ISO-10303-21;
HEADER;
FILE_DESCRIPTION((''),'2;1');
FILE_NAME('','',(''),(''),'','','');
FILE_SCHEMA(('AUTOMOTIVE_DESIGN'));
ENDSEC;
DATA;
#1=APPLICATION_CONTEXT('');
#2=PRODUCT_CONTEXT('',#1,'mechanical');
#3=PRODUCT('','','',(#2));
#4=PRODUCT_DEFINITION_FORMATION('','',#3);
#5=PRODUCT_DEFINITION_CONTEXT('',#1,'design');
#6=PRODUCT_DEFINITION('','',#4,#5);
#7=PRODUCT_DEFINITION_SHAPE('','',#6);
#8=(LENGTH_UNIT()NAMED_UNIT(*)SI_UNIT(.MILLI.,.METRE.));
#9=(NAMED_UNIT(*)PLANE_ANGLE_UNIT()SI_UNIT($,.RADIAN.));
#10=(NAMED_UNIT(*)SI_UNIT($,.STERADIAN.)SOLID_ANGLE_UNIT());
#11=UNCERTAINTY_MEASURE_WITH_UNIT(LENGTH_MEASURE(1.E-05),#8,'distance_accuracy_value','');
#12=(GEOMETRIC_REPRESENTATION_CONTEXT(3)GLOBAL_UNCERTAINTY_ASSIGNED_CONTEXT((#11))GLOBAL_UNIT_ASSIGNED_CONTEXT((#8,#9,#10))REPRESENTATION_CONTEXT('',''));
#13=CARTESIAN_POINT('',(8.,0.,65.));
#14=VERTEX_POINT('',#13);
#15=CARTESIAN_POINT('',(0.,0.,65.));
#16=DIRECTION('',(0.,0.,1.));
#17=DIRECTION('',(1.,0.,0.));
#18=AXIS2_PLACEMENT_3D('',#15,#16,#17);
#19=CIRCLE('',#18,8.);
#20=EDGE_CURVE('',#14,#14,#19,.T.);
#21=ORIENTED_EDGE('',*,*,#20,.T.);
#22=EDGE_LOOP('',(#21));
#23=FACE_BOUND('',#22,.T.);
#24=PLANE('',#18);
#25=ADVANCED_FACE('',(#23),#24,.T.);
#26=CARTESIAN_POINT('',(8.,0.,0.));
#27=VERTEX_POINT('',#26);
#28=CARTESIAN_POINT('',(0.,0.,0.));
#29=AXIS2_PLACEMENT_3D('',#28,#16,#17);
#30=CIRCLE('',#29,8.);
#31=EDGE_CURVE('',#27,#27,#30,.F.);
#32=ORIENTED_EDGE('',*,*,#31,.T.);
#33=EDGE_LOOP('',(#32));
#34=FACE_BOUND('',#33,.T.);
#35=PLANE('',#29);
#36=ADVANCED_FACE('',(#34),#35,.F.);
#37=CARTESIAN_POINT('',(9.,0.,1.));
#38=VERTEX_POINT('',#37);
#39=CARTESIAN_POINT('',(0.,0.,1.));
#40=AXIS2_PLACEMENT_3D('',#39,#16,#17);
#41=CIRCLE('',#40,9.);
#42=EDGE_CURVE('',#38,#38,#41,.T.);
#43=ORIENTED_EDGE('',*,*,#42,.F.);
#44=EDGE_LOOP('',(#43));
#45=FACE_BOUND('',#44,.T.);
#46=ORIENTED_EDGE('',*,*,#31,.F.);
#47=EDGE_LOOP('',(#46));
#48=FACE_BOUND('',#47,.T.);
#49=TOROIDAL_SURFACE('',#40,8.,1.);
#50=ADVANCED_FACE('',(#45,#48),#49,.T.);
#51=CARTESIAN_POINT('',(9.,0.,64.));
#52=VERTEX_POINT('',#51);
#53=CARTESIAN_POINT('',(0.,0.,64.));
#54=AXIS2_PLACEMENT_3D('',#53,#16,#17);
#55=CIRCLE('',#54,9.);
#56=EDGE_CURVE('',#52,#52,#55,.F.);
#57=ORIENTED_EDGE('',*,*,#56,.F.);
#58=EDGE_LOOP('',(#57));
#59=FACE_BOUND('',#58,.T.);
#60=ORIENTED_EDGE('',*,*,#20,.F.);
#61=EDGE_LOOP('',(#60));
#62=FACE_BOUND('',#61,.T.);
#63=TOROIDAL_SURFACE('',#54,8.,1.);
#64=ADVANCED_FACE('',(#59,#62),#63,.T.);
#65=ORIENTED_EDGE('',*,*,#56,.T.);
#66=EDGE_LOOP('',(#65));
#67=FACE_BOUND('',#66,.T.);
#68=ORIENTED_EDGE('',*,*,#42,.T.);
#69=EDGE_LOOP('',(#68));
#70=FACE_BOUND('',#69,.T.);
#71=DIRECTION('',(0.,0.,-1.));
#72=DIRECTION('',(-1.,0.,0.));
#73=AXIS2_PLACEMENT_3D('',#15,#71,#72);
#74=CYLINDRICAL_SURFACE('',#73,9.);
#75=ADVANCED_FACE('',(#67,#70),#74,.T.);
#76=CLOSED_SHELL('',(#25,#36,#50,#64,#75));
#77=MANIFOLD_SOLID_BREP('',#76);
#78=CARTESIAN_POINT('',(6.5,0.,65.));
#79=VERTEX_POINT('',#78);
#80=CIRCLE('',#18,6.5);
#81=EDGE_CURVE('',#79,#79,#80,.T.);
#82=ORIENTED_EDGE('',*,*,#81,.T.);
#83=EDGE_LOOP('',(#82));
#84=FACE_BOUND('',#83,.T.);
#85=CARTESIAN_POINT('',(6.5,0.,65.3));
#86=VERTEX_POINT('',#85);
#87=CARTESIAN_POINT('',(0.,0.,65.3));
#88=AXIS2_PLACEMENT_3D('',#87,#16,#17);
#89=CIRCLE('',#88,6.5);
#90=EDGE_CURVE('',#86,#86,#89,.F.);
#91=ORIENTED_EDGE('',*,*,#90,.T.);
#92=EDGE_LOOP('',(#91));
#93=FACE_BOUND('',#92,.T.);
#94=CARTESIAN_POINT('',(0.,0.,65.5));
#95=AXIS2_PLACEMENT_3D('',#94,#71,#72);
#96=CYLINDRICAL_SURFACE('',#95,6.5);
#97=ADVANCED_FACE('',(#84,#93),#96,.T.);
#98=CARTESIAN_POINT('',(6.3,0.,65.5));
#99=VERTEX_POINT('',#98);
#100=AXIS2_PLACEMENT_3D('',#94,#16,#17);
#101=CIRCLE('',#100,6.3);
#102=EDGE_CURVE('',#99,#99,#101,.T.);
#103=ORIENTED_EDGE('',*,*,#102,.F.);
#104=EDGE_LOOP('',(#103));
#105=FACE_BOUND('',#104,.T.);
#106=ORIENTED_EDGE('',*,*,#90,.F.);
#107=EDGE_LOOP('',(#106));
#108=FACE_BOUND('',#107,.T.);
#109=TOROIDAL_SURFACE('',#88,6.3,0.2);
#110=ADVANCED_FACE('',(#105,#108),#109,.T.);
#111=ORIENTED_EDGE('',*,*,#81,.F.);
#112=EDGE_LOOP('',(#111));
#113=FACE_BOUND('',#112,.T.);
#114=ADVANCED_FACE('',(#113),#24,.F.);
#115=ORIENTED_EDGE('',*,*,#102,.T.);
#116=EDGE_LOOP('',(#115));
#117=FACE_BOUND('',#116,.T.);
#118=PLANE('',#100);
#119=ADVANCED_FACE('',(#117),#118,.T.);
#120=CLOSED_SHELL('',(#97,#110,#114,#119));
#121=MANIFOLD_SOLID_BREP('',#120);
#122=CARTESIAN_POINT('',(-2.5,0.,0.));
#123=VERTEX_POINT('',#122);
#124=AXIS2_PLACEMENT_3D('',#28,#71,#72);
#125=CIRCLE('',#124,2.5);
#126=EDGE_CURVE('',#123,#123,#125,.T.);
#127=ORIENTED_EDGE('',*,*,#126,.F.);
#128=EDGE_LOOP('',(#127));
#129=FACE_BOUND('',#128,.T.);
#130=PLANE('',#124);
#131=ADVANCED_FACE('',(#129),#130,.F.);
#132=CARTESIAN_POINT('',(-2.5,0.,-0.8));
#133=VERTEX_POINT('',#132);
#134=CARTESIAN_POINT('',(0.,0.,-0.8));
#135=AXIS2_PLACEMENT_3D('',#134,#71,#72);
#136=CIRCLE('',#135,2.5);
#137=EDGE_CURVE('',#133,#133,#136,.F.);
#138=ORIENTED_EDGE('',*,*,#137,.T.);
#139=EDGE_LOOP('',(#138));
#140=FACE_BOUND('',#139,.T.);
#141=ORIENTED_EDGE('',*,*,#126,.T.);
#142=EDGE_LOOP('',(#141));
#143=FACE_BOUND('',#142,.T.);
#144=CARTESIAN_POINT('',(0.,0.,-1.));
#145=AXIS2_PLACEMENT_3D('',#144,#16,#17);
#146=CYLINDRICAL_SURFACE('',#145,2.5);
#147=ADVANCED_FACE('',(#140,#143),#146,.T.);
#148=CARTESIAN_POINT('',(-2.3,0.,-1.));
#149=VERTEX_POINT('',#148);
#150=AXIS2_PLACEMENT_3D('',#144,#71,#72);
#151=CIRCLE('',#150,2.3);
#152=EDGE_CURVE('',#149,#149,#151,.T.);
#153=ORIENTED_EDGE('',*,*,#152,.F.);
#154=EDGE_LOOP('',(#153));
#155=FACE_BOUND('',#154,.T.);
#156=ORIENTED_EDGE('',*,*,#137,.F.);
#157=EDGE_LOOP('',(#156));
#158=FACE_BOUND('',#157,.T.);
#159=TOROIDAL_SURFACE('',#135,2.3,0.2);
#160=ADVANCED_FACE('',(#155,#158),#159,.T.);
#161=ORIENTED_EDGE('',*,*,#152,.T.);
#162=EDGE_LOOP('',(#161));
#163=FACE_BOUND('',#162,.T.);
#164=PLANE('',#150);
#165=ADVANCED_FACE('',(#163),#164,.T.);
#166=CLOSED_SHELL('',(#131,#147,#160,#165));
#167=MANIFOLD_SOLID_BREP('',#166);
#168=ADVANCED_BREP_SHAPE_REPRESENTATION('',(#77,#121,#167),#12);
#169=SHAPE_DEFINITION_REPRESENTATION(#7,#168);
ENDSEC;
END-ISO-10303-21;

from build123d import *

# Parameters (mm, degrees)
SKETCH_1_R      = 9
EXTRUDE_1_DEPTH = 65
FILLET_1_R      = 1
SKETCH_2_R      = 2.5
EXTRUDE_2_DEPTH = 1
SKETCH_3_R      = 6.5
EXTRUDE_3_DEPTH = 0.5
FILLET_2_R      = 0.2
FILLET_3_R      = 0.2


with BuildPart() as part:
    # Эскиз1 → Бобышка-Вытянуть1 (new body)
    with BuildSketch(Plane.XY):
        Circle(SKETCH_1_R)
    extrude(amount=EXTRUDE_1_DEPTH)

    # Скругление1
    fillet_1_edges = [part.edges().sort_by_distance(p)[0] for p in [
        (-9, 0, 0),
        (-9, 0, 65),
    ]]
    fillet(fillet_1_edges, radius=FILLET_1_R)


with BuildPart() as body_2:
    # Эскиз2 → Бобышка-Вытянуть2 (new body)
    with BuildSketch(Plane(origin=(0, 0, 0), x_dir=(-1, 0, 0), z_dir=(0, 0, -1))):
        Circle(SKETCH_2_R)
    extrude(amount=EXTRUDE_2_DEPTH)

    # Скругление2
    fillet_2_edges = [body_2.edges().sort_by_distance(p)[0] for p in [
        (2.5, 0, -1),
    ]]
    fillet(fillet_2_edges, radius=FILLET_2_R)


with BuildPart() as body_3:
    # Эскиз3 → Бобышка-Вытянуть3 (new body)
    with BuildSketch(Plane.XY.offset(65)):
        Circle(SKETCH_3_R)
    extrude(amount=EXTRUDE_3_DEPTH)

    # Скругление3
    fillet_3_edges = [body_3.edges().sort_by_distance(p)[0] for p in [
        (-6.5, 0, 65.5),
    ]]
    fillet(fillet_3_edges, radius=FILLET_3_R)


solid = Compound([part.part, body_2.part, body_3.part])
